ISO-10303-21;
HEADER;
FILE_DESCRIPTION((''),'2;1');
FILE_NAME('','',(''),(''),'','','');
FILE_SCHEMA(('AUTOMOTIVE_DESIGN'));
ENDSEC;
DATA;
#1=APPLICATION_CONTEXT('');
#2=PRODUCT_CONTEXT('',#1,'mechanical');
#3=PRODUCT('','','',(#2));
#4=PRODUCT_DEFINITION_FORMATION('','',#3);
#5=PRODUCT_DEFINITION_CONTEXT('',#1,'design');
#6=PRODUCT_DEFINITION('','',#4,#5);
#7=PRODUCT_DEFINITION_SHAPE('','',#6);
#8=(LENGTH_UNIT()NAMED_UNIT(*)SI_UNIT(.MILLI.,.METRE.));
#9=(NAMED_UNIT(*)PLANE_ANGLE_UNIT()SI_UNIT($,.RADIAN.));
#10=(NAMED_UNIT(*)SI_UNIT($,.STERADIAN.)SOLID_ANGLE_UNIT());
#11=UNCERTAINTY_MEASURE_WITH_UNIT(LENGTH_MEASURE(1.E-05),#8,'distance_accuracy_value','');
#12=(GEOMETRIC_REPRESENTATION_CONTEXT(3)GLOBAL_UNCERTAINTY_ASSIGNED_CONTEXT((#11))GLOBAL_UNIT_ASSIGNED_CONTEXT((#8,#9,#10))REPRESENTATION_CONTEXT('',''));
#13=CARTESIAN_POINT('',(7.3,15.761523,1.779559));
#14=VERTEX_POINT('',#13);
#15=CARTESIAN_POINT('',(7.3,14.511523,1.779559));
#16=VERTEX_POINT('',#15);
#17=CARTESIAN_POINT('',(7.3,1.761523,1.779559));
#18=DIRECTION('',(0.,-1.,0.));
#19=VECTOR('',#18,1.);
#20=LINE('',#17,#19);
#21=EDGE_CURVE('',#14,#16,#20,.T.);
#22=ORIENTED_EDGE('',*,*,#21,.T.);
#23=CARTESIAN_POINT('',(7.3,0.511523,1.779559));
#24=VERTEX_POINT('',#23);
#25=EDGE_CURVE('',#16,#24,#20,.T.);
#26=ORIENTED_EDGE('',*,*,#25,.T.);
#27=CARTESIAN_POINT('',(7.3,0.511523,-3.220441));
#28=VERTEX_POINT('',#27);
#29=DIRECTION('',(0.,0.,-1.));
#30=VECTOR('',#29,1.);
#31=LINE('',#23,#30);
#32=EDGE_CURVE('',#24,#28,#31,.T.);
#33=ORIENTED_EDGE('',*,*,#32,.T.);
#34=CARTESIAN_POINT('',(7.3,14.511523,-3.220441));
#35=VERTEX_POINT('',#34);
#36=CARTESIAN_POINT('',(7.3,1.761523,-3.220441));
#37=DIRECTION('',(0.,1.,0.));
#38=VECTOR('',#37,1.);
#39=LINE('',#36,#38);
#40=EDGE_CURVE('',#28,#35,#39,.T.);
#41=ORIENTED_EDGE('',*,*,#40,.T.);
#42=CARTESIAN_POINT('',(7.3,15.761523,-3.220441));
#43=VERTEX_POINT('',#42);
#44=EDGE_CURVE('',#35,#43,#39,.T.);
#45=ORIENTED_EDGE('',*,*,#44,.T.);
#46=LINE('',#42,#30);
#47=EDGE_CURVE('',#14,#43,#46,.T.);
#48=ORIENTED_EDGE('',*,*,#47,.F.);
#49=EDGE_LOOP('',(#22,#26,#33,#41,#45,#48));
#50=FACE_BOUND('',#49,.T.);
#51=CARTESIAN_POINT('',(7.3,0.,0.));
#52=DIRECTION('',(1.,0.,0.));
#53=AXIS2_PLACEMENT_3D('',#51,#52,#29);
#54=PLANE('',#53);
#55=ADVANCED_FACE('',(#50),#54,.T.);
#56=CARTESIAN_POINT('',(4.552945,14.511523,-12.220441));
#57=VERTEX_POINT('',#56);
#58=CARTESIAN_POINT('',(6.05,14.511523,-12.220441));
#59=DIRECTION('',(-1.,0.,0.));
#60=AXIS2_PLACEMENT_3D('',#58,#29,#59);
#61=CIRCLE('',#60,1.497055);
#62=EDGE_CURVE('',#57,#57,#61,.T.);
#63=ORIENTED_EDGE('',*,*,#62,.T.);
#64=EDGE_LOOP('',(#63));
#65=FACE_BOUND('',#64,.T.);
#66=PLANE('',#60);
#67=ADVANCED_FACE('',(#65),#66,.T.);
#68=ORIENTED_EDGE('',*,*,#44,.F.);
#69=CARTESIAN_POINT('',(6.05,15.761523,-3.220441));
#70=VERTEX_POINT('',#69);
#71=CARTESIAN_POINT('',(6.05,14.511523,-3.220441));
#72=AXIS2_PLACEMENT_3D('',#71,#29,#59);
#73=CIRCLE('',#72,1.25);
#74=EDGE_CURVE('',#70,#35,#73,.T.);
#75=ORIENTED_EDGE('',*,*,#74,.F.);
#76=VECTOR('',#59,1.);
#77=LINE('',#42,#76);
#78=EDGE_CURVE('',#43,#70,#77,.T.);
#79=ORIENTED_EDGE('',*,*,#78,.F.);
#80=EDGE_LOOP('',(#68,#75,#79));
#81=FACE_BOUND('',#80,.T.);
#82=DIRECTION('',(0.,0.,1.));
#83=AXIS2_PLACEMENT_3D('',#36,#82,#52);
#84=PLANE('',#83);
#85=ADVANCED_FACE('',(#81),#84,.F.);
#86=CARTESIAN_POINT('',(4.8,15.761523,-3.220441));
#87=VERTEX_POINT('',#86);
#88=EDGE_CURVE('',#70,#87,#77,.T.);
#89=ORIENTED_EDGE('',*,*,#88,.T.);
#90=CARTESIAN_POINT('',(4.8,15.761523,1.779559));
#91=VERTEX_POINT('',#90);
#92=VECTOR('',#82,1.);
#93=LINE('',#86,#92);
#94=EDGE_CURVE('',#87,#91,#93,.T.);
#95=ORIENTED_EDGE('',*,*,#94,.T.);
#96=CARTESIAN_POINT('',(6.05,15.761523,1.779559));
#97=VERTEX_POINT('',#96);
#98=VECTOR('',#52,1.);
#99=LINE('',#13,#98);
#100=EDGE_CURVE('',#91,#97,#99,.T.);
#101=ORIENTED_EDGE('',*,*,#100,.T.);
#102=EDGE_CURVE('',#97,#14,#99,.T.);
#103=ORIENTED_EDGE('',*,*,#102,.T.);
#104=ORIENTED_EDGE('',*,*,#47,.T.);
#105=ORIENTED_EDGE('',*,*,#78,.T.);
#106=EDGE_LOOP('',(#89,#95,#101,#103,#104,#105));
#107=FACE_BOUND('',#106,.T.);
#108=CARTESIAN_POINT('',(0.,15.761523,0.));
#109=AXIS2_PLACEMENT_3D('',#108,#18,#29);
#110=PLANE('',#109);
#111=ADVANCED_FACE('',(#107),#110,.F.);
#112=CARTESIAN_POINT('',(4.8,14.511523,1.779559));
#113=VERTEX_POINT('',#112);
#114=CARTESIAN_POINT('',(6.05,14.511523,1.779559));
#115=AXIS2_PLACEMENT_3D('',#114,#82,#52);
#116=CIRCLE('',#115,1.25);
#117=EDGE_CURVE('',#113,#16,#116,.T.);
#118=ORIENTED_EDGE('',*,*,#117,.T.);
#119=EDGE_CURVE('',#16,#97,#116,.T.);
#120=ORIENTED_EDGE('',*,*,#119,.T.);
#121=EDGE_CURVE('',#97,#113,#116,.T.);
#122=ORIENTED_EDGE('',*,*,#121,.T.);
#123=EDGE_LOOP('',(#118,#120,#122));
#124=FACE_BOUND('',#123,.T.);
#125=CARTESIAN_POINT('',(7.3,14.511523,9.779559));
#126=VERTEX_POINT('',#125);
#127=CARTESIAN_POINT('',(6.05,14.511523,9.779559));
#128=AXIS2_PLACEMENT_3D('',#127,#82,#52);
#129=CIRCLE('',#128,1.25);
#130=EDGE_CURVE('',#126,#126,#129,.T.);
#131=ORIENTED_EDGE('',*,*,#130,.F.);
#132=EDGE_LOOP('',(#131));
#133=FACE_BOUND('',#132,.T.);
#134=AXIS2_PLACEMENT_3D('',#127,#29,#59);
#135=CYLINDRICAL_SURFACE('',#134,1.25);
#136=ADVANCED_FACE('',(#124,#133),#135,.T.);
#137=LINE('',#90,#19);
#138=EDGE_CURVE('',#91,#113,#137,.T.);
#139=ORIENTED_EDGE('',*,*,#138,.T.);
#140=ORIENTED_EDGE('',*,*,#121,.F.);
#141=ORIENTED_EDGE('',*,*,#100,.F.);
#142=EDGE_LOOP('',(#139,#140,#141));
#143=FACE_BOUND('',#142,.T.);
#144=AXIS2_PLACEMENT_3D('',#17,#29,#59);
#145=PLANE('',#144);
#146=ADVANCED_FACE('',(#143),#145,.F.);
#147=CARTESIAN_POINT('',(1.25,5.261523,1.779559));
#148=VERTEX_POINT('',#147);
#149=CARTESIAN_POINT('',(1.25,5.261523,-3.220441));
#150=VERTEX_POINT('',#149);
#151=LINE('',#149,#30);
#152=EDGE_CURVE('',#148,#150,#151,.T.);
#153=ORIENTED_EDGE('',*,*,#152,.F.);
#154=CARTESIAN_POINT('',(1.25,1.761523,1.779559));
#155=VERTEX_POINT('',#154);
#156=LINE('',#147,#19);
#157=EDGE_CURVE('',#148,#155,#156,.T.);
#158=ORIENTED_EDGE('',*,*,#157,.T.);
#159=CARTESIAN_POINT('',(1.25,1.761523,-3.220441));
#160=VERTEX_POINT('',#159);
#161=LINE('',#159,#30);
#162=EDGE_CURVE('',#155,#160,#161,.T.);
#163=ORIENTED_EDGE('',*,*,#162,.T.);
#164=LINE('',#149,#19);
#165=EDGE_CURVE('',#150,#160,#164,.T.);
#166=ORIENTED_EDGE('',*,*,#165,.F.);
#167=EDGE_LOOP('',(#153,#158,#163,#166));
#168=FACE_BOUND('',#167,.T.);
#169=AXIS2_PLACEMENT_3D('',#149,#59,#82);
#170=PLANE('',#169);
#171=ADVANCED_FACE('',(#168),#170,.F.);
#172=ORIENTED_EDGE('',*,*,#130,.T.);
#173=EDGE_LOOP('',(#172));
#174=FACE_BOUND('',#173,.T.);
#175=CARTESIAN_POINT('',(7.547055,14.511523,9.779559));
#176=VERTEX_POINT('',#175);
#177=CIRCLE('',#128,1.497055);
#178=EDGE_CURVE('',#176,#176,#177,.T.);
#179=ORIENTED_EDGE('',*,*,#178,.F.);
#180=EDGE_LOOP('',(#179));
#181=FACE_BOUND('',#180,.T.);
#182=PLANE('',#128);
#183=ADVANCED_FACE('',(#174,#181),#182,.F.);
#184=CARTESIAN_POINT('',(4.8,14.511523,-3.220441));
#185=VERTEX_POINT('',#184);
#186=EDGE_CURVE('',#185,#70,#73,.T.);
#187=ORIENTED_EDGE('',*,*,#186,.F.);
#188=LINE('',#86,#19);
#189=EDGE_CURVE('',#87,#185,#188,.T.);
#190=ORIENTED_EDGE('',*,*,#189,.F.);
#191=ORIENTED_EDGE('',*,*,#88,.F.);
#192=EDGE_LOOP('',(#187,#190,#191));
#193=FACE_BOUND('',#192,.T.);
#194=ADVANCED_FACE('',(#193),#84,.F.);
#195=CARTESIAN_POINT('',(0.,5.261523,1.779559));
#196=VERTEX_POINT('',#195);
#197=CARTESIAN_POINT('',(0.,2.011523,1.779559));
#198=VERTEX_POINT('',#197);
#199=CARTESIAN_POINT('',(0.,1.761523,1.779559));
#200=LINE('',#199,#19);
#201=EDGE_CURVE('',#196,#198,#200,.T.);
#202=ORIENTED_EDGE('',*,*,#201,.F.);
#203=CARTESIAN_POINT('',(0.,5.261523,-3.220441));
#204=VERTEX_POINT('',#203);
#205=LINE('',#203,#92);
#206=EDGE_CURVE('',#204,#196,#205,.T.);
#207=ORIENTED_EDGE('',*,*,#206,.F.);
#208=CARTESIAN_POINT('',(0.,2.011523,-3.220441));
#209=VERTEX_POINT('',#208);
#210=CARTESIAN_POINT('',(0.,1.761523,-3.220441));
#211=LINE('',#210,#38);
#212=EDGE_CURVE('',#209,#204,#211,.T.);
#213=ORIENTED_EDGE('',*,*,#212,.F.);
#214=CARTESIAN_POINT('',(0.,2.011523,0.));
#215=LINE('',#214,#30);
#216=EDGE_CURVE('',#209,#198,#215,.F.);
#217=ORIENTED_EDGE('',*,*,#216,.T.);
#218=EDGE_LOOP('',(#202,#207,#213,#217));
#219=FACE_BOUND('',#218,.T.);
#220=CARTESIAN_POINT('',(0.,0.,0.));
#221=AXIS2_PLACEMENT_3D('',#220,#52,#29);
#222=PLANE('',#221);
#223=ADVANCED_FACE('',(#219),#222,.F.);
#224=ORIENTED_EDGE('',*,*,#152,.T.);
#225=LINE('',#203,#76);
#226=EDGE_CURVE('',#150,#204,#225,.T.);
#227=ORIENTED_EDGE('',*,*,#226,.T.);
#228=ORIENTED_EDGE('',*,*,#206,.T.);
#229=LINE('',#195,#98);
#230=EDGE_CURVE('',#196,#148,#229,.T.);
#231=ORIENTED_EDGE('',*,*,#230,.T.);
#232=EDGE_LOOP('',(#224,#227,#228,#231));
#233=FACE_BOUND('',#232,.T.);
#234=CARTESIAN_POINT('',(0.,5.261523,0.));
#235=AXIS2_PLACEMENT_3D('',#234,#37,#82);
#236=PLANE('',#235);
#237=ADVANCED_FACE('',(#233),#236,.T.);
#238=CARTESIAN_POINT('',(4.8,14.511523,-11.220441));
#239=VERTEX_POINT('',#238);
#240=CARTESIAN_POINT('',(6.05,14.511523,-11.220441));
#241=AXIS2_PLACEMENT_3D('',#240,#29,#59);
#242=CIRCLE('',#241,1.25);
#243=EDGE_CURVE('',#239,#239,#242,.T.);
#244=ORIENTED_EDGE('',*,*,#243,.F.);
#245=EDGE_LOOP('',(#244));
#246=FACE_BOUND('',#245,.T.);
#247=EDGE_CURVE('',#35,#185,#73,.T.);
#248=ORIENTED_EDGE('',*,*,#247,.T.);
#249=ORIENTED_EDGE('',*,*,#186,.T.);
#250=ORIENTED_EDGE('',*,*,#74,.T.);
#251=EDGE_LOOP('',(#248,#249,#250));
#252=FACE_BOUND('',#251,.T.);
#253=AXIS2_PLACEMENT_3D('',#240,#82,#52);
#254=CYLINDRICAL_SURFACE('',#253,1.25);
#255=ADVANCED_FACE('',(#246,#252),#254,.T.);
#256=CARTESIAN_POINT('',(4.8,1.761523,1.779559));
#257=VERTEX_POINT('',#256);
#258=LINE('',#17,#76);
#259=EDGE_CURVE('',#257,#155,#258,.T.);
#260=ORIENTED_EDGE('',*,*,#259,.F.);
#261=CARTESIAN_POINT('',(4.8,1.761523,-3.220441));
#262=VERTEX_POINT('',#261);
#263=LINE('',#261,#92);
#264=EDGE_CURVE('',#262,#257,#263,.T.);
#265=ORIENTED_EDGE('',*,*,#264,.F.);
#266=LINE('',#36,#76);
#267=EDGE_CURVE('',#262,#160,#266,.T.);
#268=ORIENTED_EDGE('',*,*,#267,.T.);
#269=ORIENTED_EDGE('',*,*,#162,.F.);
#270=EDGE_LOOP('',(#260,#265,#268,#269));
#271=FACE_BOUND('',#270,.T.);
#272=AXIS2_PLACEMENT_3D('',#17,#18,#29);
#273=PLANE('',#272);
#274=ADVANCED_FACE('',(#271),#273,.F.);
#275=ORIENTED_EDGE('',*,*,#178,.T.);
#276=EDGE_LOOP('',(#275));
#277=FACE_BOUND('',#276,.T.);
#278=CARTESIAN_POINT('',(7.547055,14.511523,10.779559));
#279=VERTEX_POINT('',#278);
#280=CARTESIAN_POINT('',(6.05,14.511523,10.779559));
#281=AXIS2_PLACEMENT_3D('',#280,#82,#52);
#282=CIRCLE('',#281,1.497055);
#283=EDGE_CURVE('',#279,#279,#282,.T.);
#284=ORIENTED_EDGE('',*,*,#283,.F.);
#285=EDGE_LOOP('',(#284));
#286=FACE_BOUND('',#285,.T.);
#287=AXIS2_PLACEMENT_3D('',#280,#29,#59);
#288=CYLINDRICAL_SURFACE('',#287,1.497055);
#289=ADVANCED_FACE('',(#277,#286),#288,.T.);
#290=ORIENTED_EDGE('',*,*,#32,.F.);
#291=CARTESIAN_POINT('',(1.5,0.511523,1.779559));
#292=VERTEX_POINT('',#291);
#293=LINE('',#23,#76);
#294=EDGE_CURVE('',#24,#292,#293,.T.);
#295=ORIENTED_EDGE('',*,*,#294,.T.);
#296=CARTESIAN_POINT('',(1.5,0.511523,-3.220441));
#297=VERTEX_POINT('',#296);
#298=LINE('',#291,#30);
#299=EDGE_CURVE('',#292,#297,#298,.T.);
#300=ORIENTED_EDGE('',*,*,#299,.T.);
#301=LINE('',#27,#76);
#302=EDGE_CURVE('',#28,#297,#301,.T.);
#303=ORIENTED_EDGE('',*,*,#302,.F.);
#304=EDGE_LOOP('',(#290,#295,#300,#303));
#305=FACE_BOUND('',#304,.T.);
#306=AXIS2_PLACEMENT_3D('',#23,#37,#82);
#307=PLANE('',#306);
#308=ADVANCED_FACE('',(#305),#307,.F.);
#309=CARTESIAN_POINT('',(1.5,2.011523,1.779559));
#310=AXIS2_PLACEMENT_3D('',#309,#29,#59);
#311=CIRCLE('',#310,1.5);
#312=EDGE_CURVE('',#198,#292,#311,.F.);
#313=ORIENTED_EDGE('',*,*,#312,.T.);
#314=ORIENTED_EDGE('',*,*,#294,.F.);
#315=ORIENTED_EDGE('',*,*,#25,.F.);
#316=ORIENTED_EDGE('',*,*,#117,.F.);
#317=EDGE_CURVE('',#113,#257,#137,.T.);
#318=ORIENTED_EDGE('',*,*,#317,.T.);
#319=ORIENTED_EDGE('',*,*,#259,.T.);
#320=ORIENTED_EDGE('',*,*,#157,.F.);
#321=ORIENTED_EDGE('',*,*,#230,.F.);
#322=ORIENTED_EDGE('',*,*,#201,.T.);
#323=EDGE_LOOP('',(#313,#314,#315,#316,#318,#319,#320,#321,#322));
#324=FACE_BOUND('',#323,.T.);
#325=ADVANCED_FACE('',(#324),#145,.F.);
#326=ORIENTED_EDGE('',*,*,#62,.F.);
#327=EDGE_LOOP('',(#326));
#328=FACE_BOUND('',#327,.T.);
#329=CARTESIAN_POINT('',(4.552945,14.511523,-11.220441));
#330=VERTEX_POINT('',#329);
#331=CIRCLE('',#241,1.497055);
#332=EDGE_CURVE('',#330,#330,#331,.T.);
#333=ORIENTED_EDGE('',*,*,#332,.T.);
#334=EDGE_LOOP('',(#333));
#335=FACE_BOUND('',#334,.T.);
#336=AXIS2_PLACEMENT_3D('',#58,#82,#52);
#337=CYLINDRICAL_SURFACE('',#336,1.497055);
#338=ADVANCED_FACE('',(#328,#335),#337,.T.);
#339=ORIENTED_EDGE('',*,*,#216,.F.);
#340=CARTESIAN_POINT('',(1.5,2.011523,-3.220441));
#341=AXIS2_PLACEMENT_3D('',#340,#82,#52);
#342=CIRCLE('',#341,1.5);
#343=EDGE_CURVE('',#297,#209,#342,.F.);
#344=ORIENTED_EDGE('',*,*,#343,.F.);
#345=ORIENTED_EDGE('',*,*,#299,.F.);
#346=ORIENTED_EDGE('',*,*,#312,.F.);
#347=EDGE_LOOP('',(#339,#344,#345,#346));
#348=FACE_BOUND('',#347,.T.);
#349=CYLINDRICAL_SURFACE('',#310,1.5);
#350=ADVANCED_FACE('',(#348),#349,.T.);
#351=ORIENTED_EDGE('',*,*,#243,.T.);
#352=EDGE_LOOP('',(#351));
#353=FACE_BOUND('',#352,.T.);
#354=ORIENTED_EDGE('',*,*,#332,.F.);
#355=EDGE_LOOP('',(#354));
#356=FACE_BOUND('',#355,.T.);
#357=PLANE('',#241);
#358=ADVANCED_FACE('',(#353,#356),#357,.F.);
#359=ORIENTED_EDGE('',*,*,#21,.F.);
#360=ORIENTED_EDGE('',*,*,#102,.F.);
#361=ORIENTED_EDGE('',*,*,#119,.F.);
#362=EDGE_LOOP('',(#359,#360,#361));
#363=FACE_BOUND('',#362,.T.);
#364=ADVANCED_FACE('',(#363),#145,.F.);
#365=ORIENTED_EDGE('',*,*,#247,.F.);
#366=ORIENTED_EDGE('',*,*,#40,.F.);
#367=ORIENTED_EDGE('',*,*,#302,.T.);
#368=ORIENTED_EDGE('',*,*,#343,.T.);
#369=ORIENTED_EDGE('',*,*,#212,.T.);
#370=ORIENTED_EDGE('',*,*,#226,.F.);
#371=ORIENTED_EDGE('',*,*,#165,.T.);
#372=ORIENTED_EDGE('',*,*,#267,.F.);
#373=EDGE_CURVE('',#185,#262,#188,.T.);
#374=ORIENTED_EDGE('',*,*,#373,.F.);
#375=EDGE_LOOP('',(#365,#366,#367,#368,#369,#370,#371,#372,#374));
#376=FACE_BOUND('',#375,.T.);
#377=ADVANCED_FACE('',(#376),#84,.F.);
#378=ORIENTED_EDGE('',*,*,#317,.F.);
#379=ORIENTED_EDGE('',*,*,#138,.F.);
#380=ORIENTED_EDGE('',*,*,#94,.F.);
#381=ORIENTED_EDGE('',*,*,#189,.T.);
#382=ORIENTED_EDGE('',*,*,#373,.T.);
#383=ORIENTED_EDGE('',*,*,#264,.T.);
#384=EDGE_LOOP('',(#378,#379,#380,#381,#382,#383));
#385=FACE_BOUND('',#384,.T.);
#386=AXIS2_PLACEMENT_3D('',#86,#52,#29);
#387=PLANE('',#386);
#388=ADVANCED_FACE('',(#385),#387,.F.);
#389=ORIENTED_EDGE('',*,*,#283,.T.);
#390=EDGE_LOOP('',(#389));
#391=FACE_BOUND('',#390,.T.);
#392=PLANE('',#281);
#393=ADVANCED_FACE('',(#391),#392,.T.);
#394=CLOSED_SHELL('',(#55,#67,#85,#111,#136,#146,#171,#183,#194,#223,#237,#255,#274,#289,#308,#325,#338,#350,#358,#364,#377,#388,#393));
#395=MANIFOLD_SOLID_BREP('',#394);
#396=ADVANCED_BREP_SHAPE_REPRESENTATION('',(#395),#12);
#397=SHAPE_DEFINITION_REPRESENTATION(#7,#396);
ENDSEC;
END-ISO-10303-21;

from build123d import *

# Parameters (mm, degrees)
SKETCH1_W           = 5
SKETCH1_H           = 1.25
BOSS_EXTRUDE1_DEPTH = 7.3
SKETCH3_W           = 1.25
SKETCH3_H           = 5
BOSS_EXTRUDE2_DEPTH = 3.5
SKETCH4_W           = 2.5
SKETCH4_H           = 5
BOSS_EXTRUDE3_DEPTH = 14
BOSS_EXTRUDE4_DEPTH = 8
SKETCH6_R           = 1.49705526
BOSS_EXTRUDE5_DEPTH = 1
SKETCH7_R           = 1.25
BOSS_EXTRUDE6_DEPTH = 8
SKETCH8_R           = 1.49705526
BOSS_EXTRUDE7_DEPTH = 1
FILLET2_R           = 1.5


with BuildPart() as part:
    # Sketch1 → Boss-Extrude1 (new body)
    with BuildSketch(Plane(origin=(0, 0, 0), x_dir=(0, 0, -1), z_dir=(1, 0, 0))):
        with Locations((0.720440882, 1.136523046)):
            Rectangle(SKETCH1_W, SKETCH1_H)
    extrude(amount=BOSS_EXTRUDE1_DEPTH)

    # Sketch3 → Boss-Extrude2 (add)
    with BuildSketch(Plane(origin=(0, 1.761523046, 0), x_dir=(1, 0, 0), z_dir=(0, 1, 0))):
        with Locations((0.625, 0.720440882)):
            Rectangle(SKETCH3_W, SKETCH3_H)
    extrude(amount=BOSS_EXTRUDE2_DEPTH)

    # Sketch4 → Boss-Extrude3 (add)
    with BuildSketch(Plane(origin=(0, 1.761523046, 0), x_dir=(1, 0, 0), z_dir=(0, 1, 0))):
        with Locations((6.05, 0.720440882)):
            Rectangle(SKETCH4_W, SKETCH4_H)
    extrude(amount=BOSS_EXTRUDE3_DEPTH)

    # Sketch5 → Boss-Extrude4 (add)
    with BuildSketch(Plane(origin=(0, 0, -3.220440882), x_dir=(-1, 0, 0), z_dir=(0, 0, -1))):
        with BuildLine():
            ThreePointArc((-4.8, 14.511523046), (-5.166116524, 15.395406523), (-6.05, 15.761523046))
            ThreePointArc((-6.05, 15.761523046), (-6.52835429, 15.666372462), (-6.933883476, 15.395406523))
            Line((-6.933883476, 15.395406523), (-5.166116524, 13.62763957))
            ThreePointArc((-5.166116524, 13.62763957), (-4.895150584, 14.033168756), (-4.8, 14.511523046))
        make_face()
        with BuildLine():
            ThreePointArc((-6.933883476, 15.395406523), (-7.20484942, 14.989877325), (-7.3, 14.511523021))
            ThreePointArc((-7.3, 14.511523021), (-6.933883468, 13.627639561), (-6.05, 13.261523046))
            ThreePointArc((-6.05, 13.261523046), (-5.57164571, 13.35667363), (-5.166116524, 13.62763957))
            Line((-5.166116524, 13.62763957), (-6.933883476, 15.395406523))
        make_face()
    extrude(amount=BOSS_EXTRUDE4_DEPTH)

    # Sketch6 → Boss-Extrude5 (add)
    with BuildSketch(Plane(origin=(0, 0, -11.220440882), x_dir=(-1, 0, 0), z_dir=(0, 0, -1))):
        with Locations((-6.05, 14.511523046)):
            Circle(SKETCH6_R)
    extrude(amount=BOSS_EXTRUDE5_DEPTH)

    # Sketch7 → Boss-Extrude6 (add)
    with BuildSketch(Plane.XY.offset(1.779559118)):
        with Locations((6.05, 14.511523046)):
            Circle(SKETCH7_R)
    extrude(amount=BOSS_EXTRUDE6_DEPTH)

    # Sketch8 → Boss-Extrude7 (add)
    with BuildSketch(Plane.XY.offset(9.779559118)):
        with Locations((6.05, 14.511523046)):
            Circle(SKETCH8_R)
    extrude(amount=BOSS_EXTRUDE7_DEPTH)

    # Fillet2
    fillet2_edges = [part.edges().sort_by_distance(p)[0] for p in [
        (0, 0.511523046, -0.720440882),
    ]]
    fillet(fillet2_edges, radius=FILLET2_R)


solid = part.part
